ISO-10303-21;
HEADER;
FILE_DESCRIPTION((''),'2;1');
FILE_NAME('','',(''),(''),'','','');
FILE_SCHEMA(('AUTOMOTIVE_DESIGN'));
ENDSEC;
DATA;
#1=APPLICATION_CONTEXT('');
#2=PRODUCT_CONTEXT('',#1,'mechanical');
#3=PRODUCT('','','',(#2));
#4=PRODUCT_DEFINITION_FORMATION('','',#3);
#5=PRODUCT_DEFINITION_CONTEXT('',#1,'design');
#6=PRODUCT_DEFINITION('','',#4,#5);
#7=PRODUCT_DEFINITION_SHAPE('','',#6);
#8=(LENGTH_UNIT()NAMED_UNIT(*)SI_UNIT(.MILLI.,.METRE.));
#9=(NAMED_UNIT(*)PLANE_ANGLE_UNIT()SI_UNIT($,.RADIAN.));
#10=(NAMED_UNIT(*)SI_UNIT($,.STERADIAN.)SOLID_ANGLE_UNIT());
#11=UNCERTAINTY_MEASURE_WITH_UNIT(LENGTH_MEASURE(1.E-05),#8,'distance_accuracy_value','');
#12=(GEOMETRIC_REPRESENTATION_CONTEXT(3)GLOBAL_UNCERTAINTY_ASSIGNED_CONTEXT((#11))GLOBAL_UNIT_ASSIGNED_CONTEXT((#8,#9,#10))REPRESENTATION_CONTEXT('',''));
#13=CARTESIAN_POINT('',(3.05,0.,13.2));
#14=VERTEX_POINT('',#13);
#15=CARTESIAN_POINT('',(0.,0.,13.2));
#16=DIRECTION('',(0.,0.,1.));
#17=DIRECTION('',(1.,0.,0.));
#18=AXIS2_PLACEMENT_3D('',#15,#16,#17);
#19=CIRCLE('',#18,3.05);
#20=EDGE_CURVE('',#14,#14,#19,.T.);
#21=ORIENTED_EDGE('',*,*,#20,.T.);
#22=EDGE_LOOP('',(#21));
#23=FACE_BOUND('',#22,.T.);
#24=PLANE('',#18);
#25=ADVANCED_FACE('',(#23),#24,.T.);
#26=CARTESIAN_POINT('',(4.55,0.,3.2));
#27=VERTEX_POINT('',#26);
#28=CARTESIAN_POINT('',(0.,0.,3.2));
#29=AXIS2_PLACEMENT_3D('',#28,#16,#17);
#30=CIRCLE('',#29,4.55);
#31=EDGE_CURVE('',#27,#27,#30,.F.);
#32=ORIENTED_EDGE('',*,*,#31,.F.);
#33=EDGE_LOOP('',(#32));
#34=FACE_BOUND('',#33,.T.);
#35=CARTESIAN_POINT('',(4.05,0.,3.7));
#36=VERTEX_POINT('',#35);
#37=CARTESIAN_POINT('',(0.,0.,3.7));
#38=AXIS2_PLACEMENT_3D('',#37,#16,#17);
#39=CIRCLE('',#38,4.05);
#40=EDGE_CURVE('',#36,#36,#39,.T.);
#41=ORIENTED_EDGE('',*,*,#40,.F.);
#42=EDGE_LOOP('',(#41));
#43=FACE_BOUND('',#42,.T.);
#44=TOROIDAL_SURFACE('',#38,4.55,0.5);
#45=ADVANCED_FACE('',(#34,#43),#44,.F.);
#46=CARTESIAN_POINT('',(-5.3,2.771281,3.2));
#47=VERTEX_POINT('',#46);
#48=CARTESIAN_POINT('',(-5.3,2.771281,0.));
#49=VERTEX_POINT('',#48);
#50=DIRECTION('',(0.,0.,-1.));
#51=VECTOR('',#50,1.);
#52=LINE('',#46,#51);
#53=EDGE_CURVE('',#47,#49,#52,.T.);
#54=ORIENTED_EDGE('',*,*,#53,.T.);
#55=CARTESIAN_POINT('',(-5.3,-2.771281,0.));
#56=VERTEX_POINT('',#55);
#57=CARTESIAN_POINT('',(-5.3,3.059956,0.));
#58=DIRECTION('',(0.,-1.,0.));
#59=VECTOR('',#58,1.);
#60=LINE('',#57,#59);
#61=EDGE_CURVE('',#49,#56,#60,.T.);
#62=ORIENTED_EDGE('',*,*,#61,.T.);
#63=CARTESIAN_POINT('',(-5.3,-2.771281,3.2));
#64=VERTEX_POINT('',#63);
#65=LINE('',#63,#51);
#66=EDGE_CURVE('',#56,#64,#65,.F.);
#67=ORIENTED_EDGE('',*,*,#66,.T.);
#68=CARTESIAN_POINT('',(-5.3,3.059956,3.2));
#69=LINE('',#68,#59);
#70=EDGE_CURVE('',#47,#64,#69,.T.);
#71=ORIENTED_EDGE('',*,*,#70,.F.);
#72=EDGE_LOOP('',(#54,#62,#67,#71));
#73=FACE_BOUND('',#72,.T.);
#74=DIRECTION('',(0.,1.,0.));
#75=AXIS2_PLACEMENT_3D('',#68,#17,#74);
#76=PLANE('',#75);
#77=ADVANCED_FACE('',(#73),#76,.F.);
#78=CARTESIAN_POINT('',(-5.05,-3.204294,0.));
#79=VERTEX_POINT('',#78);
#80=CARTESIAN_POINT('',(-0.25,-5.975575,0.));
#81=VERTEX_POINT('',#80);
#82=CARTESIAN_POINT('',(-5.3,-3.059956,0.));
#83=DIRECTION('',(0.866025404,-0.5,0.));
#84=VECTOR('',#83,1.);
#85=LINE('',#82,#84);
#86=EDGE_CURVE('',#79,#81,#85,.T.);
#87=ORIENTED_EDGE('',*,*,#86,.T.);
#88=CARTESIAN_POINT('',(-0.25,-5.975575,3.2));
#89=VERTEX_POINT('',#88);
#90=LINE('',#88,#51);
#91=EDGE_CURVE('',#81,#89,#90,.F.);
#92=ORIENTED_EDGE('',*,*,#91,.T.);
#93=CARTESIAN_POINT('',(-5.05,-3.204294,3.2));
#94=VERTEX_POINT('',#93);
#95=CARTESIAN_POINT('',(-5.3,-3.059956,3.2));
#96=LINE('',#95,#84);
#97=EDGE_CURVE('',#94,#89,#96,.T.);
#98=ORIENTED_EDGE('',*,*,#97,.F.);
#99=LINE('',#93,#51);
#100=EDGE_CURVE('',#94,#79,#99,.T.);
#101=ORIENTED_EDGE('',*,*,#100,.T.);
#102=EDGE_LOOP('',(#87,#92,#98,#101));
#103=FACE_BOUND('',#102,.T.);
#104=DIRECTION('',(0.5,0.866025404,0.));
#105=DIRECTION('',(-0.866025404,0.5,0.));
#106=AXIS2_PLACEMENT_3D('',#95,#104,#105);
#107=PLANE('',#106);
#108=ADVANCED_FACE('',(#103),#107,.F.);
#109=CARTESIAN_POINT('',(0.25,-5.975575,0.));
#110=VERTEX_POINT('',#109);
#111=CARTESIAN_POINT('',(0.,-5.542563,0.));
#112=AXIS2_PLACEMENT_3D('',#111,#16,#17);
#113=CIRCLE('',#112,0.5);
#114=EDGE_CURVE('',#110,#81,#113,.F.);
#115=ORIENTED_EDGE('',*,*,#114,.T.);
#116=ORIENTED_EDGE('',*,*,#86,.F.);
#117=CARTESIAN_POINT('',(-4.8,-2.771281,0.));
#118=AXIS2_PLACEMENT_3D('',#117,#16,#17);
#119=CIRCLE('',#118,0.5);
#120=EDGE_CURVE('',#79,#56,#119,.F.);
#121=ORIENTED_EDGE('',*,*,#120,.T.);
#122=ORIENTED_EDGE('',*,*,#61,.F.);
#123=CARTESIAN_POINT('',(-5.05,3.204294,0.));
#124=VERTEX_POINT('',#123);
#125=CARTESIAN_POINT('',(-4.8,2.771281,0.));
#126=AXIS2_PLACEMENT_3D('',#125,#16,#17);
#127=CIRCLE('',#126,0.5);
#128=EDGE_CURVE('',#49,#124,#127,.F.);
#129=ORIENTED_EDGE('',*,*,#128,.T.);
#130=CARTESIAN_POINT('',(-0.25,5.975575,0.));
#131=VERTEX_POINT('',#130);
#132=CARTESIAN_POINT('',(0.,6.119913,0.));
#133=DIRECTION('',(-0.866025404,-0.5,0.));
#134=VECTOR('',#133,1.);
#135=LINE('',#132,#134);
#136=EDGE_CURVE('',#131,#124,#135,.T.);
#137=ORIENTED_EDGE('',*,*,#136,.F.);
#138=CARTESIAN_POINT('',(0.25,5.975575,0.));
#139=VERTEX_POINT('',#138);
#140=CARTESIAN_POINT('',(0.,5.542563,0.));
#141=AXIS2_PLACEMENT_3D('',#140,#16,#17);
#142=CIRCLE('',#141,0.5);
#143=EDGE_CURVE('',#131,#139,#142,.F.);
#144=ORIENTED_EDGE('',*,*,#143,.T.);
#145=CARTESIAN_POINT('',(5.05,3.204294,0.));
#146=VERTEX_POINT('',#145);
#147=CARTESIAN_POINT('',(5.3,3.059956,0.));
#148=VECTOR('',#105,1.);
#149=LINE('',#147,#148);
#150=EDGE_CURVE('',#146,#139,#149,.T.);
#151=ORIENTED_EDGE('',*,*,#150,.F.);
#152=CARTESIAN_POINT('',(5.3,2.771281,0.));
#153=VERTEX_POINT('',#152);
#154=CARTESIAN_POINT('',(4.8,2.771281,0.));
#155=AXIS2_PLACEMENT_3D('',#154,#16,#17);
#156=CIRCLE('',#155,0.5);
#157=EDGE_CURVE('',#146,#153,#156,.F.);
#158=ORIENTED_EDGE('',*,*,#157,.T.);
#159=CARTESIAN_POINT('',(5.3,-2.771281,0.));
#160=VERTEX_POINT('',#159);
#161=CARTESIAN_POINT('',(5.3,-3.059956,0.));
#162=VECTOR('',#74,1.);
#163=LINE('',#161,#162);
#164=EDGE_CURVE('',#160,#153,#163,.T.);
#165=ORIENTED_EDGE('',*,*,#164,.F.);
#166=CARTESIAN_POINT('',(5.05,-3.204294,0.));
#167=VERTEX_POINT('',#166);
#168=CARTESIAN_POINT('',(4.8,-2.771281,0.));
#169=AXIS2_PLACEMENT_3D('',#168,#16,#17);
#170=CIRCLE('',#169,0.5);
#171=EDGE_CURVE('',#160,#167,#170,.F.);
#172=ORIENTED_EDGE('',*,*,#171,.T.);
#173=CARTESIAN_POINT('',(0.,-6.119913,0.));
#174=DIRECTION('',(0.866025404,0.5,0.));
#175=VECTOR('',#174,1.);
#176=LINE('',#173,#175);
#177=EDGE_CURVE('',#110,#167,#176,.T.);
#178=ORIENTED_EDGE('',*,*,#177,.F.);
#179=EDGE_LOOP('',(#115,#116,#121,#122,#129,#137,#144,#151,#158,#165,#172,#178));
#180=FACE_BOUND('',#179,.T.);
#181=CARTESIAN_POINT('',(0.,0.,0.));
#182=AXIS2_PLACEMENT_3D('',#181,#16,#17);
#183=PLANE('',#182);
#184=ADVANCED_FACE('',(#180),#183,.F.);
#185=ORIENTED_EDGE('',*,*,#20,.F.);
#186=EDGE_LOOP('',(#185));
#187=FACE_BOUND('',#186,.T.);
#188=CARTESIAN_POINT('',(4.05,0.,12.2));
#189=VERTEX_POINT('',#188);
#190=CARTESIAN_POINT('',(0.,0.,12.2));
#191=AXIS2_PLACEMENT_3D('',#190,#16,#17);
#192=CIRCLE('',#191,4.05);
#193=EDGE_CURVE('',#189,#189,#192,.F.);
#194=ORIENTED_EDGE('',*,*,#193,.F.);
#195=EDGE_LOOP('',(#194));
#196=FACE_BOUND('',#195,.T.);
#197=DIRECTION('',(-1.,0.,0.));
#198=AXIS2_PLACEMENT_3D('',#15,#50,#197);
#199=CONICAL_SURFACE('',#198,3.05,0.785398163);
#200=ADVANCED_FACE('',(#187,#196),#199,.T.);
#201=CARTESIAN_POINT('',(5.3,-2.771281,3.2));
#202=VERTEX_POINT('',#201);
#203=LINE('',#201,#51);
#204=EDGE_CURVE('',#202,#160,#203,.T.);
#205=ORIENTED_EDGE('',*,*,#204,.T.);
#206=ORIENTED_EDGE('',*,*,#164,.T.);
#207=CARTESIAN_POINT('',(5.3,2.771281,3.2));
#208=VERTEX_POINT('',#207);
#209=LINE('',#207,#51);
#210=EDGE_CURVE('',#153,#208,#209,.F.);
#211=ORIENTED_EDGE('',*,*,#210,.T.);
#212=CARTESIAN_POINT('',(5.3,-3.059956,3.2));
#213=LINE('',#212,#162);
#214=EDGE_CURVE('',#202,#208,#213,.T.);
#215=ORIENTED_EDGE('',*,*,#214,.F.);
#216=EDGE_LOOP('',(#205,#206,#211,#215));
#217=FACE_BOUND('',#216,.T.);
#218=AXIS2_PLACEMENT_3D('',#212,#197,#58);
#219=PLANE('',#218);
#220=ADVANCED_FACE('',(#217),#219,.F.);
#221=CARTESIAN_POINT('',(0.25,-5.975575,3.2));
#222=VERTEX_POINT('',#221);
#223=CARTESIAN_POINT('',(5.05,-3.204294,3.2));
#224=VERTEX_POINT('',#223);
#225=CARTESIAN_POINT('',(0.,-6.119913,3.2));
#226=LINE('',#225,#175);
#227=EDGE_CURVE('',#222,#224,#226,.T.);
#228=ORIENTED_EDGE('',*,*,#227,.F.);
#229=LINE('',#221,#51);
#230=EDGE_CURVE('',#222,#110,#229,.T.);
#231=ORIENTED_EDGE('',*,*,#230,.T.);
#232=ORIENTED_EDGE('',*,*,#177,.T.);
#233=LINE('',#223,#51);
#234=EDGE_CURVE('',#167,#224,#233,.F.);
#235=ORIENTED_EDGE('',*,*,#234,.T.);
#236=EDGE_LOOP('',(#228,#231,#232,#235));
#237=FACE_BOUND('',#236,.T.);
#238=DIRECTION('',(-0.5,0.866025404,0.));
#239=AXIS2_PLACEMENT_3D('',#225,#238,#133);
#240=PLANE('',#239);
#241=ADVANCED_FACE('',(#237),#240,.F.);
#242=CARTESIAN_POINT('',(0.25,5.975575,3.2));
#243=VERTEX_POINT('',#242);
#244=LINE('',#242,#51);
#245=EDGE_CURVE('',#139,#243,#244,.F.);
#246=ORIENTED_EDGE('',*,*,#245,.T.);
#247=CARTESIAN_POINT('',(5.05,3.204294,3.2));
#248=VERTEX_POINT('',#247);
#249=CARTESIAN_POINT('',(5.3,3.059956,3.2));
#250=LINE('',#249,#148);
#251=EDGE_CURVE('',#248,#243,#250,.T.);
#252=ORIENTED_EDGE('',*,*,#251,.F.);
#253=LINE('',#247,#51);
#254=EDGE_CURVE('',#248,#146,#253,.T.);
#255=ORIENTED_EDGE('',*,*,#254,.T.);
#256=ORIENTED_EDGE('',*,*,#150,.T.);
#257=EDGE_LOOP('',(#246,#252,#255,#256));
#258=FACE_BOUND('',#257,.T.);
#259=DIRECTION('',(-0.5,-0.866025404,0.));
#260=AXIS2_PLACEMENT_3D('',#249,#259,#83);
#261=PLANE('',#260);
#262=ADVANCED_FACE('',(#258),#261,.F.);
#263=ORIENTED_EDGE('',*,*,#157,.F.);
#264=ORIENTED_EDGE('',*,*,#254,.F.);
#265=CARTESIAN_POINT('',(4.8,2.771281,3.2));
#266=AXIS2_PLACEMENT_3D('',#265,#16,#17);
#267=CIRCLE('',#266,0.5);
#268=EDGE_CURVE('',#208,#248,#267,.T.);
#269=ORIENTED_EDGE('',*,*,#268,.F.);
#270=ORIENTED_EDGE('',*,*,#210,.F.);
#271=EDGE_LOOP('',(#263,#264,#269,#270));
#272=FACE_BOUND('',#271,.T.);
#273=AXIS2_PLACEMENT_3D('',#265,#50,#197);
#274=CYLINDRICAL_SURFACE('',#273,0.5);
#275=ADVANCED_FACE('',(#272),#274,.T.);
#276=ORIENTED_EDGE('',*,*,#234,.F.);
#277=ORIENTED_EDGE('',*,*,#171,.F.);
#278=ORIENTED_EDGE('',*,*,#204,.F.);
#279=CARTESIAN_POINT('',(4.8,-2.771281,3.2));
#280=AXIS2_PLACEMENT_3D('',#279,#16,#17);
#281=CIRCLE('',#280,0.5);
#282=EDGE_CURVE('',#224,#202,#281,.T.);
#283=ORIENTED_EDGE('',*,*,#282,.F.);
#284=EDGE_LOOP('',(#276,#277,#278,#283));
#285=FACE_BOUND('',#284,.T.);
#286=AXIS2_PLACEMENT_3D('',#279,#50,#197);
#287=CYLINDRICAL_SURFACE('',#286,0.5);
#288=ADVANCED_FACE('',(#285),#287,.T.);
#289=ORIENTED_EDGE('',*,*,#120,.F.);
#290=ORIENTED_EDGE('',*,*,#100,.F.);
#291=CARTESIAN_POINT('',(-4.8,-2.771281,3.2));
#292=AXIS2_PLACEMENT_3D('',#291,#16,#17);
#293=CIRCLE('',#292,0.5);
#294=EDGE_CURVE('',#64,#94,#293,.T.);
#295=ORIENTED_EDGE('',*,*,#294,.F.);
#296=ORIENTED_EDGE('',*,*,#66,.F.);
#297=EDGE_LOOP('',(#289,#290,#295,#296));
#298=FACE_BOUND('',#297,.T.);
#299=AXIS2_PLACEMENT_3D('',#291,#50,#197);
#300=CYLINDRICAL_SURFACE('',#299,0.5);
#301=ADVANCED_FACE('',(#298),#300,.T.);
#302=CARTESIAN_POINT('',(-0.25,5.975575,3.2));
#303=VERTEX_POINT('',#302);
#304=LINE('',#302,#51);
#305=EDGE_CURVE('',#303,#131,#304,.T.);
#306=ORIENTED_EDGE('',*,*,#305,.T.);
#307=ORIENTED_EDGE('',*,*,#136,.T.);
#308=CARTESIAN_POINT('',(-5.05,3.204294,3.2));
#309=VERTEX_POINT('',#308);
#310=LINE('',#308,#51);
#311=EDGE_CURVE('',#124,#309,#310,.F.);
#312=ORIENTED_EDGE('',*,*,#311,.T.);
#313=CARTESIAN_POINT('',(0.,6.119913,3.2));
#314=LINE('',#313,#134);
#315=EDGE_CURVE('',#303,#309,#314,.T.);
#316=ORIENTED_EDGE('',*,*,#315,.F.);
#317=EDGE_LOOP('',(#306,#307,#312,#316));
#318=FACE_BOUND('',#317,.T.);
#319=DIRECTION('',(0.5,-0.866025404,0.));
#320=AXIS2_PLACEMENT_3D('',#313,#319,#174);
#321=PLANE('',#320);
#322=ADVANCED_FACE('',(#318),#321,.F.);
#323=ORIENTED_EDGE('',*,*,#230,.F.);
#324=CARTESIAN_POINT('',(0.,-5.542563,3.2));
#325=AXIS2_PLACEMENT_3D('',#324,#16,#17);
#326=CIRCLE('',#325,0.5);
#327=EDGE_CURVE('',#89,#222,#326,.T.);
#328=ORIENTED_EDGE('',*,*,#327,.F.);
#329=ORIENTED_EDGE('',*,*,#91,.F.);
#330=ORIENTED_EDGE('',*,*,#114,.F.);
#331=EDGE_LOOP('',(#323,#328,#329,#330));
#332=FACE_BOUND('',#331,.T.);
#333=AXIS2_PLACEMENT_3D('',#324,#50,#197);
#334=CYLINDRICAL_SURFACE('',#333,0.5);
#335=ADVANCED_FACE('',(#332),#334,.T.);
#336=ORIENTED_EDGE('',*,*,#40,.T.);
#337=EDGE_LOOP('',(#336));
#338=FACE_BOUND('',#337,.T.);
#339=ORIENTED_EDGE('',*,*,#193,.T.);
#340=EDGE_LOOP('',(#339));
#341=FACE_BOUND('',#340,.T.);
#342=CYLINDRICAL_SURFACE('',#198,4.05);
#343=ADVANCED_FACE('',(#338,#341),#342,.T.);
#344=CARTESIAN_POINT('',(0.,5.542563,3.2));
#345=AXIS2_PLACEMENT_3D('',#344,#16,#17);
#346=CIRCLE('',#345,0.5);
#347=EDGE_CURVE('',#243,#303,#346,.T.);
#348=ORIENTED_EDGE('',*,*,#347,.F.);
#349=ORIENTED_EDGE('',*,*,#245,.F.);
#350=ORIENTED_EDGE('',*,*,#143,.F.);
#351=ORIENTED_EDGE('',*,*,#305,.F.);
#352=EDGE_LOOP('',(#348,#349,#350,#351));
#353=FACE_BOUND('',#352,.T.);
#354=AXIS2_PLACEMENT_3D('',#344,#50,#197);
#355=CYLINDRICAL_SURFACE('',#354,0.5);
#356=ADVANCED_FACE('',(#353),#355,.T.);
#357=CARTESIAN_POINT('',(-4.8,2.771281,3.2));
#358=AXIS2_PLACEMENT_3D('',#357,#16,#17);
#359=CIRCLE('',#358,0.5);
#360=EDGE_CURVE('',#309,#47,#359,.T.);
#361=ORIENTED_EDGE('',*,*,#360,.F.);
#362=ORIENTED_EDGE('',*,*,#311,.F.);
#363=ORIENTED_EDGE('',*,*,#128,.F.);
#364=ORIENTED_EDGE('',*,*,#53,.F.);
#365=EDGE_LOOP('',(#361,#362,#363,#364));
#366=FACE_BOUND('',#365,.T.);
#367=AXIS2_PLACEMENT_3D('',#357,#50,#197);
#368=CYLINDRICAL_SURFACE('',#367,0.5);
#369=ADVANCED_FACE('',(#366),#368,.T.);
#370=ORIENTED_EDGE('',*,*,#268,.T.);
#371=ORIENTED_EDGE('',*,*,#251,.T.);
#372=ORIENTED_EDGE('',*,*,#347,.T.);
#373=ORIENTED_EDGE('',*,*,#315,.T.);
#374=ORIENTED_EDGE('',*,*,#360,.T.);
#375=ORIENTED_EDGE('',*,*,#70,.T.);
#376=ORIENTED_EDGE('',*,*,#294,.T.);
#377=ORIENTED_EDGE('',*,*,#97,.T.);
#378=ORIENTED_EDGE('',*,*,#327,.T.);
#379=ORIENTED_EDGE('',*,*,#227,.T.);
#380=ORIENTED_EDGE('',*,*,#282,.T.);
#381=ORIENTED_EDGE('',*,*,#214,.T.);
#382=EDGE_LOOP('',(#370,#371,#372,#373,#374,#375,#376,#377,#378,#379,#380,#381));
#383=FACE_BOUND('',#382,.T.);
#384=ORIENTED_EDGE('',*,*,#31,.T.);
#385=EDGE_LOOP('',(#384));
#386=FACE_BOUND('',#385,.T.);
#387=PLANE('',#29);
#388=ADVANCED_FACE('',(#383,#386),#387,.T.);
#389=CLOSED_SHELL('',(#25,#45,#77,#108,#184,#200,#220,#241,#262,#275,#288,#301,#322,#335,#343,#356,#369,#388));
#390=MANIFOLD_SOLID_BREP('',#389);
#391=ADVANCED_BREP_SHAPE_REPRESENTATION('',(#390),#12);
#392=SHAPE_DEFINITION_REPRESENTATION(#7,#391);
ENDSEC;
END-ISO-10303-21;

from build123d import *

# Parameters (mm, degrees)
BOSS_EXTRUDE1_DEPTH = 3.2
SKETCH2_R           = 4.05
BOSS_EXTRUDE2_DEPTH = 10
FILLET1_R           = 0.5
CHAMFER1_SIZE       = 1


with BuildPart() as part:
    # Sketch1 → Boss-Extrude1 (new body)
    with BuildSketch(Plane.XY):
        Polygon((5.3, 3.059956427), (0, 6.119912853), (-5.3, 3.059956427), (-5.3, -3.059956427), (0, -6.119912853), (5.3, -3.059956427), align=None)
    extrude(amount=BOSS_EXTRUDE1_DEPTH)

    # Sketch2 → Boss-Extrude2 (add)
    with BuildSketch(Plane.XY.offset(3.2)):
        Circle(SKETCH2_R)
    extrude(amount=BOSS_EXTRUDE2_DEPTH)

    # Fillet1
    fillet1_edges = [part.edges().sort_by_distance(p)[0] for p in [
        (5.3, -3.059956427, 1.6),
        (0, -6.119912853, 1.6),
        (-5.3, -3.059956427, 1.6),
        (-5.3, 3.059956427, 1.6),
        (0, 6.119912853, 1.6),
        (5.3, 3.059956427, 1.6),
        (-4.05, 0, 3.2),
    ]]
    fillet(fillet1_edges, radius=FILLET1_R)

    # Chamfer1
    chamfer1_edges = [part.edges().sort_by_distance(p)[0] for p in [
        (-4.05, 0, 13.2),
    ]]
    chamfer(chamfer1_edges, length=CHAMFER1_SIZE)


solid = part.part
